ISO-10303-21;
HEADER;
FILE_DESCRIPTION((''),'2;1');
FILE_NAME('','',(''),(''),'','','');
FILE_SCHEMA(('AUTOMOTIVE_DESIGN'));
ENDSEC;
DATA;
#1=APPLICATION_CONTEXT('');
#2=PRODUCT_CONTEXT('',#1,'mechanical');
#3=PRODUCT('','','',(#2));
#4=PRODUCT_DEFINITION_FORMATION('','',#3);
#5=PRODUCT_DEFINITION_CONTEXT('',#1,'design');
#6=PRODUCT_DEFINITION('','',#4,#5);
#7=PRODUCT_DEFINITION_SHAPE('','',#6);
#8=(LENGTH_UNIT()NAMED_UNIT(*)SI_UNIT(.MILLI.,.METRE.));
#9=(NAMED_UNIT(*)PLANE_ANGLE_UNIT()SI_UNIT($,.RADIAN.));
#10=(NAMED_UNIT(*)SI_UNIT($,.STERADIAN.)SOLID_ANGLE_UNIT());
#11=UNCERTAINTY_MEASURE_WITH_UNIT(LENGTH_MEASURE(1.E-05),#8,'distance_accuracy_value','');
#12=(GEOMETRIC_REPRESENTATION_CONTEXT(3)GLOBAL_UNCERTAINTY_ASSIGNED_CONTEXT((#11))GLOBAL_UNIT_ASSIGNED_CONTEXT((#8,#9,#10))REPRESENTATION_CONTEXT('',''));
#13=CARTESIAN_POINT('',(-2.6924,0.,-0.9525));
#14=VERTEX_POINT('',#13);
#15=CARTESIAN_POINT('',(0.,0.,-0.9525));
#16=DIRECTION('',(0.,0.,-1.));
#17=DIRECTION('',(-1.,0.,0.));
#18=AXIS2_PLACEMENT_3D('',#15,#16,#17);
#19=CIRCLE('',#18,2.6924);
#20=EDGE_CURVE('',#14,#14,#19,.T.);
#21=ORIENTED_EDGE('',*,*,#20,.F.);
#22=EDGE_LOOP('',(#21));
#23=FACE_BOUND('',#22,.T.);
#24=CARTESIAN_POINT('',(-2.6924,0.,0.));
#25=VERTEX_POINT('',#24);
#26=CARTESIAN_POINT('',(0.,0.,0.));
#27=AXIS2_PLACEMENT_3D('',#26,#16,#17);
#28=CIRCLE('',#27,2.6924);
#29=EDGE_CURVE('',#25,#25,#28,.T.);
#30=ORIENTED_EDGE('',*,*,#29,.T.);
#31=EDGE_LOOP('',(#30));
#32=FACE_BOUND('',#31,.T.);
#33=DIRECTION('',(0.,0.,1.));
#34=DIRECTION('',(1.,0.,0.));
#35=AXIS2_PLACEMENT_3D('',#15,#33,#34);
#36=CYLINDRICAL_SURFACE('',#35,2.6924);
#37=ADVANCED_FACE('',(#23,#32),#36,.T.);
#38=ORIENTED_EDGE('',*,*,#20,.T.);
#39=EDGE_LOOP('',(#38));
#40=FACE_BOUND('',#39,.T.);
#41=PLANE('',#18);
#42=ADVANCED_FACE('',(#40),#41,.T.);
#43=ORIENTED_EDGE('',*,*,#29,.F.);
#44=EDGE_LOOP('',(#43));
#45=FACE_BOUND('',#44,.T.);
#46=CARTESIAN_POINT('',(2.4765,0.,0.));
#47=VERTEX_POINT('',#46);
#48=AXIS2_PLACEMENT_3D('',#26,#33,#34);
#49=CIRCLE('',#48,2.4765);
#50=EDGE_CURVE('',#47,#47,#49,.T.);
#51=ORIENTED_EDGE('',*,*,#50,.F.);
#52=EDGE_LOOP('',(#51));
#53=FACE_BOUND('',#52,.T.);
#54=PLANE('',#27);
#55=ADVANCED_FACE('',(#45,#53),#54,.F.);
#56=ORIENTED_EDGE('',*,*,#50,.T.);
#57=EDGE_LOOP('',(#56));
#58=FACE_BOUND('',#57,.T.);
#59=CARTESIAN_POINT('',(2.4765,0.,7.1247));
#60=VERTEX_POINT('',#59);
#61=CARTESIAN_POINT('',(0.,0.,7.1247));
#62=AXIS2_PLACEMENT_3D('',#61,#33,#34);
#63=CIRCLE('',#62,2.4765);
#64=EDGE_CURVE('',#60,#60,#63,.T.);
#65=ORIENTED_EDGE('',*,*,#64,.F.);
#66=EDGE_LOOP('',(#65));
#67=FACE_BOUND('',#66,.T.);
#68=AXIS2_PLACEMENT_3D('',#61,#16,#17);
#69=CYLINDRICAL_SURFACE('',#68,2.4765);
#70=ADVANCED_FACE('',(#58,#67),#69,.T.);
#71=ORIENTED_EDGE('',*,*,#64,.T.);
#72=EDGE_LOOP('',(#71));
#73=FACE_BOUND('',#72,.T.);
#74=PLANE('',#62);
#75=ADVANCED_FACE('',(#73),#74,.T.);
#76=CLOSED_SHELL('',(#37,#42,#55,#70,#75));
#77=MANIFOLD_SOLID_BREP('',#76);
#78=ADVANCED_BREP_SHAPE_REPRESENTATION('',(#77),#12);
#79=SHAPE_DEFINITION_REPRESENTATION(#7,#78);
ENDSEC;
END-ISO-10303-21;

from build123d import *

# Parameters (mm, degrees)
SKETCH1_R           = 2.4765
BOSS_EXTRUDE1_DEPTH = 7.1247
SKETCH2_R           = 2.6924
BOSS_EXTRUDE2_DEPTH = 0.9525


with BuildPart() as part:
    # Sketch1 → Boss-Extrude1 (new body)
    with BuildSketch(Plane.XY):
        Circle(SKETCH1_R)
    extrude(amount=BOSS_EXTRUDE1_DEPTH)

    # Sketch2 → Boss-Extrude2 (add)
    with BuildSketch(Plane(origin=(0, 0, 0), x_dir=(-1, 0, 0), z_dir=(0, 0, -1))):
        Circle(SKETCH2_R)
    extrude(amount=BOSS_EXTRUDE2_DEPTH)


solid = part.part
